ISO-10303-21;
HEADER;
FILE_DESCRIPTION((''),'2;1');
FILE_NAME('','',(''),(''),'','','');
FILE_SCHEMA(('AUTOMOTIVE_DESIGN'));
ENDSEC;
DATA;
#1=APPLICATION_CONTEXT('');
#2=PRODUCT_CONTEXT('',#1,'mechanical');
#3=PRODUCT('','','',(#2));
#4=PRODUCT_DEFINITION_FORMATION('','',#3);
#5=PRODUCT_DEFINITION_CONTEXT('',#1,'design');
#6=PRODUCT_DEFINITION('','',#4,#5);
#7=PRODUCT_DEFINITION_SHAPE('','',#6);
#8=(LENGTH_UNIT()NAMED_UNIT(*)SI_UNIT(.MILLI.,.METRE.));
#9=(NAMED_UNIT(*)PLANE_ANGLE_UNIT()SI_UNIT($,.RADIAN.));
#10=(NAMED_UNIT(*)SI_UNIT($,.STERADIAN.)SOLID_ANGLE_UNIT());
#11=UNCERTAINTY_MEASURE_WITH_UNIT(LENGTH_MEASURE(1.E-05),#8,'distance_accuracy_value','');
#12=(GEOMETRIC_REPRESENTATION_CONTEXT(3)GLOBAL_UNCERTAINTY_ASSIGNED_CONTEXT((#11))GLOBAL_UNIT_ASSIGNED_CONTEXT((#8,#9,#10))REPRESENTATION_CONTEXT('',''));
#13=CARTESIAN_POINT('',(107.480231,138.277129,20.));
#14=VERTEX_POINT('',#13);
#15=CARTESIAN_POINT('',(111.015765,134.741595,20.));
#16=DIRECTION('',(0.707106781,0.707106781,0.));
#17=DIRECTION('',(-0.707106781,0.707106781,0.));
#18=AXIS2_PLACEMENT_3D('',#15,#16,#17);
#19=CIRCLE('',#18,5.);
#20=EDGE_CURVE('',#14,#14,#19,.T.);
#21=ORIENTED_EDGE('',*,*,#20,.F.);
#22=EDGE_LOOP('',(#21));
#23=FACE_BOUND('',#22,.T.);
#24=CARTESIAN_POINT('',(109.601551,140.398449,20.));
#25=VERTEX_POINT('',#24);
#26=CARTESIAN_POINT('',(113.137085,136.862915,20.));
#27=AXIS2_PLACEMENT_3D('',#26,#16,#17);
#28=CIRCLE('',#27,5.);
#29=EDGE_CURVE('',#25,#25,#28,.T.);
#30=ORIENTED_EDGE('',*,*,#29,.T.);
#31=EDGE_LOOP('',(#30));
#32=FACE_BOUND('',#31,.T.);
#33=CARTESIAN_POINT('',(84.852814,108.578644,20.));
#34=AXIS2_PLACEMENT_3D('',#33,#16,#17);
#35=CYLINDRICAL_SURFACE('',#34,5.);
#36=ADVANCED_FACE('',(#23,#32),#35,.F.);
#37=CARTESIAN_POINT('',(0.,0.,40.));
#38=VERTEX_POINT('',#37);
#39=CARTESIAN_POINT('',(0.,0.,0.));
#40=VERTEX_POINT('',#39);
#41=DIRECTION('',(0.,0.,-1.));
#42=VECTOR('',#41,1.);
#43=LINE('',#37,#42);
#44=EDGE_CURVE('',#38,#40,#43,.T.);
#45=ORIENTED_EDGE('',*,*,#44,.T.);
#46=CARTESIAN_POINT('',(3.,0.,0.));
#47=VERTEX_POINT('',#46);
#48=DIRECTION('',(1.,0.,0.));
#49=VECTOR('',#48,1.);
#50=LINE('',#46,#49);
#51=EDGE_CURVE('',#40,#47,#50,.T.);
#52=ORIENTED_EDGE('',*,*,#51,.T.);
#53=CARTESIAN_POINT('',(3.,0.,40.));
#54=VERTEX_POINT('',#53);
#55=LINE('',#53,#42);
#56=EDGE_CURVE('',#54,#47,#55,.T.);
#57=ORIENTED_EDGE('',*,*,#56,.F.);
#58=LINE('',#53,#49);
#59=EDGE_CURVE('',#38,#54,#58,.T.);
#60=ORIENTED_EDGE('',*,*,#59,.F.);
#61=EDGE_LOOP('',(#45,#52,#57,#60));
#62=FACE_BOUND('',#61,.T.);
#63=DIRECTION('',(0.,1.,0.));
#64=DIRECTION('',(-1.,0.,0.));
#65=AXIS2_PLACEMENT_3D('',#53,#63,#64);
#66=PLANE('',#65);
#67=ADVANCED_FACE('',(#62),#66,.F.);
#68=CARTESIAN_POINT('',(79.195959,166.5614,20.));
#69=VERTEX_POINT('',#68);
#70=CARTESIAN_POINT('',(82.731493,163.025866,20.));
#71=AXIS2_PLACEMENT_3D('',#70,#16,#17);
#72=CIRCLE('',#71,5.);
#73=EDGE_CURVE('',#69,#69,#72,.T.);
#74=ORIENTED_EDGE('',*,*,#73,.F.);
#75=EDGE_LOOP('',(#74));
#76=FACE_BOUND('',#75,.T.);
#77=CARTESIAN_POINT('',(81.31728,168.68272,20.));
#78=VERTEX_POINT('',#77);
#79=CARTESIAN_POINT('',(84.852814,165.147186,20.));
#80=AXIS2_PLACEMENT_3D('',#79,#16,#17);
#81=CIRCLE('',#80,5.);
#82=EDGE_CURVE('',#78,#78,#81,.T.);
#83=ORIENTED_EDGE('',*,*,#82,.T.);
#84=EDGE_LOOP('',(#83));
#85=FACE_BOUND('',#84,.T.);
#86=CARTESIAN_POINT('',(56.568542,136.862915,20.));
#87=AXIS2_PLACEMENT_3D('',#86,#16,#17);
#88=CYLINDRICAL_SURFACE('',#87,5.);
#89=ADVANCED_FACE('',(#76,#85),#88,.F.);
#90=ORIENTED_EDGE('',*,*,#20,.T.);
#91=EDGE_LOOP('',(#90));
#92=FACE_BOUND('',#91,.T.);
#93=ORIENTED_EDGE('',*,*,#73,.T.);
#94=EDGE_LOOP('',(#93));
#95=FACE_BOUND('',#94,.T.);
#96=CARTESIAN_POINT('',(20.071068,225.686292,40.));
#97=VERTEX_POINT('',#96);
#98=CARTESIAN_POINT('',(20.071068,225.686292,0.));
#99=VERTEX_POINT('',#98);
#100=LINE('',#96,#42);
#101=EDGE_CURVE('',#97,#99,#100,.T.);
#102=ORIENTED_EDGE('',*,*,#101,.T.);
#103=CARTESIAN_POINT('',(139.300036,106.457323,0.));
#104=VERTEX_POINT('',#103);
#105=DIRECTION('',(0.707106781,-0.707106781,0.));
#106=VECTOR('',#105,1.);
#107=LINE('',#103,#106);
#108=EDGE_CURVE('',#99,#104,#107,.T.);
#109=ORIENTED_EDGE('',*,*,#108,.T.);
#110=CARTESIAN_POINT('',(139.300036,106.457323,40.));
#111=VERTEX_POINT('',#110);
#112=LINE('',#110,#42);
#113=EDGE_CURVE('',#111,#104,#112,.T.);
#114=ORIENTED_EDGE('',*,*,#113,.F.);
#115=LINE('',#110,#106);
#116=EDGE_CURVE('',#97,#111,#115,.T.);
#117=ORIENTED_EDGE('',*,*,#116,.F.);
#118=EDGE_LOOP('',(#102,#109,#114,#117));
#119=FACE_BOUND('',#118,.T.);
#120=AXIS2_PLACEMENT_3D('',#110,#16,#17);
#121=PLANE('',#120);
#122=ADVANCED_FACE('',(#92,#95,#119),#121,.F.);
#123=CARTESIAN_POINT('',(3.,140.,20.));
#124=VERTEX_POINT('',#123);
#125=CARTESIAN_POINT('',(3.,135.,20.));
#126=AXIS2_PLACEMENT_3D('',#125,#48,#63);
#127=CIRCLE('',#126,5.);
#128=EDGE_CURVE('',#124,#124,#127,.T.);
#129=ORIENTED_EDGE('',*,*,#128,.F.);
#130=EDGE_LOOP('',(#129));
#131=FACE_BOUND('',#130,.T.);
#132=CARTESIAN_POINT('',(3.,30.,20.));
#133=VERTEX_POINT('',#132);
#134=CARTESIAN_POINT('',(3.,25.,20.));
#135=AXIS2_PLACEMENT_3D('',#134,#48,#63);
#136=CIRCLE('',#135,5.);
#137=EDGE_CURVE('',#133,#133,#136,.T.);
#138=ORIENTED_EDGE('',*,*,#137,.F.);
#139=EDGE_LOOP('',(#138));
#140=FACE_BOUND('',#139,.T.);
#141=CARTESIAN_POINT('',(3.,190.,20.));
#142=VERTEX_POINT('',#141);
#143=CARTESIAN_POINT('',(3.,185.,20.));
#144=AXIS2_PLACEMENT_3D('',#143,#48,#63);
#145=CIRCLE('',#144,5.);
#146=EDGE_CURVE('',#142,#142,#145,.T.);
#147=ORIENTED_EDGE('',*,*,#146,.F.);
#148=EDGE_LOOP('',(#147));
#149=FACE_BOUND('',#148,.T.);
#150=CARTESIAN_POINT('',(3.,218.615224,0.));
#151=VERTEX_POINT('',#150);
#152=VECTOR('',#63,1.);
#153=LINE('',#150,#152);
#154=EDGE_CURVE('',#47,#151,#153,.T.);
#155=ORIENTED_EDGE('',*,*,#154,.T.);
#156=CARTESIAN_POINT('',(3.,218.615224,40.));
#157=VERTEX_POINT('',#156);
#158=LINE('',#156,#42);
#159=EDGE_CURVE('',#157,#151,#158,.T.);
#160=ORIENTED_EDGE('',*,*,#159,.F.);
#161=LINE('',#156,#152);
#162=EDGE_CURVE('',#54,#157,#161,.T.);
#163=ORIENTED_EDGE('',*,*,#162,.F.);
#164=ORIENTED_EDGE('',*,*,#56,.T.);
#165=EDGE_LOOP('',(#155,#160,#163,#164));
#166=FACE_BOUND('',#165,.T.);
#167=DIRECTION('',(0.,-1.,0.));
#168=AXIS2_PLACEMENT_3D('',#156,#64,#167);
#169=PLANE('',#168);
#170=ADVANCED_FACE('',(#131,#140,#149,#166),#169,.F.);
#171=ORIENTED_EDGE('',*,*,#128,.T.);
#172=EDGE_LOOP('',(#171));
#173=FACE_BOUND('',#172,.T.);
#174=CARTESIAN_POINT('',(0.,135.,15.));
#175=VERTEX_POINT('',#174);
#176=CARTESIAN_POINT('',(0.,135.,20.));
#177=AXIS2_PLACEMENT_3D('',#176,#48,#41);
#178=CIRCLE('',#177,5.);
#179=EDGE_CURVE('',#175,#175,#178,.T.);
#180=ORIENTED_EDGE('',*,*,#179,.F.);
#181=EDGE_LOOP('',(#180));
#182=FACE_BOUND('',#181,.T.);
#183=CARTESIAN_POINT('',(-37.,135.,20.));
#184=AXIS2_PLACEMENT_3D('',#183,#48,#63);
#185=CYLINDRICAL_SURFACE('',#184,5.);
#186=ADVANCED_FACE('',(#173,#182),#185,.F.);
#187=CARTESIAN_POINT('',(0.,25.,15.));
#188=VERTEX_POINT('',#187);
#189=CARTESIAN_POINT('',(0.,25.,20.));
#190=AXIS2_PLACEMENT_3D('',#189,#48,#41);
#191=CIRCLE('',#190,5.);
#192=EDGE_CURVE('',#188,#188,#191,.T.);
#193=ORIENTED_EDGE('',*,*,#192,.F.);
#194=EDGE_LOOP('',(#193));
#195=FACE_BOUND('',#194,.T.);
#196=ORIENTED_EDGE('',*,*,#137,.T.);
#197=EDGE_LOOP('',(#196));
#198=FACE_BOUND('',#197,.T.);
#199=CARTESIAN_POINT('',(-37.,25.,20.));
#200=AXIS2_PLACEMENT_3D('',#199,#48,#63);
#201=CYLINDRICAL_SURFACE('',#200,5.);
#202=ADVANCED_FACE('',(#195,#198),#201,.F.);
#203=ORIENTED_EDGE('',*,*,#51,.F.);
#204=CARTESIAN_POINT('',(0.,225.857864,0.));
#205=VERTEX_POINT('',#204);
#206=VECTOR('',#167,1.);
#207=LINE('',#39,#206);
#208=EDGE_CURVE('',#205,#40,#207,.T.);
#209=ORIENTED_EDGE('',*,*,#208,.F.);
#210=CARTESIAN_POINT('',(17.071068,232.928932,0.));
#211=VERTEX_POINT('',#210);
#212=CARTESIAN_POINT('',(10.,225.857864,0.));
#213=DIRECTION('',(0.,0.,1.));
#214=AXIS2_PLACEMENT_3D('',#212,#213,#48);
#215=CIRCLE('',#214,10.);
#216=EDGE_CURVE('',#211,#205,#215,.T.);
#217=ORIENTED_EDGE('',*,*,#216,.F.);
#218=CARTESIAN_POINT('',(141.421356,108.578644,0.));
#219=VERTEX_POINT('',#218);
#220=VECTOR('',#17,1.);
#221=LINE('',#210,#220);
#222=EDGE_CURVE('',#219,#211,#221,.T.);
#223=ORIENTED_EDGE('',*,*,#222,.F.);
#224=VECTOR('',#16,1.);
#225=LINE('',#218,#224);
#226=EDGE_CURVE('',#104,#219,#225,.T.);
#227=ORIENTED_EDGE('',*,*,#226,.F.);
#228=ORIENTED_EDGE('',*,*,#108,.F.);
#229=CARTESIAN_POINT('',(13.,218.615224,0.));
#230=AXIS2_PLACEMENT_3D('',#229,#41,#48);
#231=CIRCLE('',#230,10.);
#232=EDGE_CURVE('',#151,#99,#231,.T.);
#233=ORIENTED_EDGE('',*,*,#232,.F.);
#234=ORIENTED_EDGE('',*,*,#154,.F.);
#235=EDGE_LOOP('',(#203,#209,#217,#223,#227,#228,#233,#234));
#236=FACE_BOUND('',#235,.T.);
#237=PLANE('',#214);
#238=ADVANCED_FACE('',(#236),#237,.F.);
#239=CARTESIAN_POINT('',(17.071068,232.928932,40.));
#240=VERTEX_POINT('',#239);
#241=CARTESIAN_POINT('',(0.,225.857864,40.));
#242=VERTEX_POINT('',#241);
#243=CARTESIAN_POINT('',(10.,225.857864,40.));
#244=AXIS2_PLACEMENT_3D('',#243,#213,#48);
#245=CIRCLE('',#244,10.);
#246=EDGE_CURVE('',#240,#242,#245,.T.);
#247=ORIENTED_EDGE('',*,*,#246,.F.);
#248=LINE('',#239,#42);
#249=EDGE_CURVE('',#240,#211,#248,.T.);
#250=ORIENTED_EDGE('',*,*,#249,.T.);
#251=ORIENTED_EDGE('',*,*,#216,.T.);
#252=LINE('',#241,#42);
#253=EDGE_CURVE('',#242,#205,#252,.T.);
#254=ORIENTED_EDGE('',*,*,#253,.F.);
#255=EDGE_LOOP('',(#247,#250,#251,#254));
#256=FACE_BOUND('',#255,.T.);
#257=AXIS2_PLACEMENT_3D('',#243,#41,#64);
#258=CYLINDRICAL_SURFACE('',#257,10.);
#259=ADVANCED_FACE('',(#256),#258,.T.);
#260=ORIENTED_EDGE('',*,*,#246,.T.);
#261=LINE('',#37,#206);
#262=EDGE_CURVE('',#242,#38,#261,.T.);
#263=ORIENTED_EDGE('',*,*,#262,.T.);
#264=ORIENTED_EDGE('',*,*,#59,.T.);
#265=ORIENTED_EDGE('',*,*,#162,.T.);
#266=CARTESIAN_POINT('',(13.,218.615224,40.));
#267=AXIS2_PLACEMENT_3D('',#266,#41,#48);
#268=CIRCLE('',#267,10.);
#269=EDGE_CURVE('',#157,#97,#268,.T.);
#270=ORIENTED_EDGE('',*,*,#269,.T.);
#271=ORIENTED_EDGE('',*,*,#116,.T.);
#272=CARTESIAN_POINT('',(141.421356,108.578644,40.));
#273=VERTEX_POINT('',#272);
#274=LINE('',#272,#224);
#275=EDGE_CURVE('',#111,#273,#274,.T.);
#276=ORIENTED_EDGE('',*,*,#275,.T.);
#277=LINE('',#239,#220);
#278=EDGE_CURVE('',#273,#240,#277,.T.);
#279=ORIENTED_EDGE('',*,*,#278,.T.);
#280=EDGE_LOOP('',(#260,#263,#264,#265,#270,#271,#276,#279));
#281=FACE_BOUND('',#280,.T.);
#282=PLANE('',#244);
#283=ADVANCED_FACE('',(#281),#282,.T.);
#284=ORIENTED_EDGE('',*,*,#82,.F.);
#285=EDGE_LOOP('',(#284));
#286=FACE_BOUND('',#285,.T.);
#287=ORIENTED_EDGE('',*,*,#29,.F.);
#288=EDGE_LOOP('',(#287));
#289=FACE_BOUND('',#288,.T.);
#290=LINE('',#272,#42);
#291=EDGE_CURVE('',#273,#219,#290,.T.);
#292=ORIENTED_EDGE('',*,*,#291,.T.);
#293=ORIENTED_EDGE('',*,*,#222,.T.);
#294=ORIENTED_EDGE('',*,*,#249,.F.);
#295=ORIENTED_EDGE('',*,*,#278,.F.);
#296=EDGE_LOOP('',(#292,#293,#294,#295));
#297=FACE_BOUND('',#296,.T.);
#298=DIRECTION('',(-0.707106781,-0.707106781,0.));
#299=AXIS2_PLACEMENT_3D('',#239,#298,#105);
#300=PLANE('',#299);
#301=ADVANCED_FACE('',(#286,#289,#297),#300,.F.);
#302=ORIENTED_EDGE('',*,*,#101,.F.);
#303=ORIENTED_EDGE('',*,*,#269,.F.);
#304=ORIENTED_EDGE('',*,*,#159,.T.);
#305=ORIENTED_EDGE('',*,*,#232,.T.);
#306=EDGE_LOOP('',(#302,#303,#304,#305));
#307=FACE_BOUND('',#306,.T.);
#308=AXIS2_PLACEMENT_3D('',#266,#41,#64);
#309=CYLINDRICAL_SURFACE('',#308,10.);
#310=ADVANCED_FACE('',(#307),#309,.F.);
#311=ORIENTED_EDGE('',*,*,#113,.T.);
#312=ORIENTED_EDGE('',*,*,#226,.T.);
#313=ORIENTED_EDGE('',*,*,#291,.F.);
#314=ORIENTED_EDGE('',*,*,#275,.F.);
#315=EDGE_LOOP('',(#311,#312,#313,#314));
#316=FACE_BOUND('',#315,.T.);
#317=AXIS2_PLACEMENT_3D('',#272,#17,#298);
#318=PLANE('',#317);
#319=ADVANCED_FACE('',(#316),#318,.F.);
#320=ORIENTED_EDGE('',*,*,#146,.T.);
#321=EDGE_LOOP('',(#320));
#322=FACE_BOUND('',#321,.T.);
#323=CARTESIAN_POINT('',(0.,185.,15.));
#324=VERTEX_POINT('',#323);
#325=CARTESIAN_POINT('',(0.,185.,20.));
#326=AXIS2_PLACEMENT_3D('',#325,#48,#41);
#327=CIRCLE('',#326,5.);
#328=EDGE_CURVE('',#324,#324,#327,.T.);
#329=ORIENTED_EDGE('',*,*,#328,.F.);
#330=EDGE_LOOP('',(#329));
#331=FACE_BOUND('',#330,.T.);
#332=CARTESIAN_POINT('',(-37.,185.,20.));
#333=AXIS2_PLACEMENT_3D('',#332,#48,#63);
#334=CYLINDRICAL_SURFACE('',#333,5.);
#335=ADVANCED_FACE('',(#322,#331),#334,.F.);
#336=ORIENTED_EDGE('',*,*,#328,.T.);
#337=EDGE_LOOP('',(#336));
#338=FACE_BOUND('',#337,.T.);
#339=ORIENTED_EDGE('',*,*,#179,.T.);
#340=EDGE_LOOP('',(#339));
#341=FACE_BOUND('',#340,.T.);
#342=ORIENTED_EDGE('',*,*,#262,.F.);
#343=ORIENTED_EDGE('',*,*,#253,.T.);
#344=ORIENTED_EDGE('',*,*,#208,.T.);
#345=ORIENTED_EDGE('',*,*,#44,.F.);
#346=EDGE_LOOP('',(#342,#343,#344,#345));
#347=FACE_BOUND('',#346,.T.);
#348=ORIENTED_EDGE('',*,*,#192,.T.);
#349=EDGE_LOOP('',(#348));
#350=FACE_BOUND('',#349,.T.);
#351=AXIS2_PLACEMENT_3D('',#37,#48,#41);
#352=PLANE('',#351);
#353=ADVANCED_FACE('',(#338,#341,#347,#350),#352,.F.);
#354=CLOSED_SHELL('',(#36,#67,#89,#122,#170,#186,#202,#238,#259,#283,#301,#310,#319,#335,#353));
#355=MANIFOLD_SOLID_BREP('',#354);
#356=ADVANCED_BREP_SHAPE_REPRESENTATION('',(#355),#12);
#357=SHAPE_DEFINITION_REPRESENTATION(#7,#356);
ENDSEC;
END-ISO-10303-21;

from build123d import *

# Parameters (mm, degrees)
BOSS_EXTRUDE1_DEPTH = 40
SKETCH2_R           = 5
CUT_EXTRUDE1_DEPTH  = 40
SKETCH3_R           = 5
CUT_EXTRUDE2_DEPTH  = 40


with BuildPart() as part:
    # Sketch1 → Boss-Extrude1 (new body)
    with BuildSketch(Plane.XY):
        with BuildLine():
            Line((0, 0), (0, 225.857864376))
            ThreePointArc((0, 225.857864376), (6.173165676, 235.096659701), (17.071067812, 232.928932188))
            Line((17.071067812, 232.928932188), (141.421356237, 108.578643763))
            Line((141.421356237, 108.578643763), (139.300035894, 106.457323419))
            Line((139.300035894, 106.457323419), (20.071067812, 225.686291501))
            ThreePointArc((20.071067812, 225.686291501), (9.173165676, 227.854019014), (3, 218.615223689))
            Line((3, 218.615223689), (3, 0))
            Line((3, 0), (0, 0))
        make_face()
    extrude(amount=BOSS_EXTRUDE1_DEPTH)

    # Sketch2 → Cut-Extrude1 (cut)
    with BuildSketch(Plane(origin=(3, 0, 0), x_dir=(0, 0, -1), z_dir=(1, 0, 0))):
        with Locations(Location((-20, 185, 0), (0, 0, 90))):
            Circle(SKETCH2_R)
        with Locations(Location((-20, 25, 0), (0, 0, 90))):
            Circle(SKETCH2_R)
        with Locations(Location((-20, 135, 0), (0, 0, 90))):
            Circle(SKETCH2_R)
    extrude(amount=-CUT_EXTRUDE1_DEPTH, mode=Mode.SUBTRACT)

    # Sketch3 → Cut-Extrude2 (cut)
    with BuildSketch(Plane(origin=(125, 125, 0), x_dir=(0, 0, -1), z_dir=(0.7071067811865509, 0.7071067811865441, 0))):
        with Locations(Location((-20, 16.776695297, 0), (0, 0, 90))):
            Circle(SKETCH3_R)
        with Locations(Location((-20, 56.776695297, 0), (0, 0, 90))):
            Circle(SKETCH3_R)
    extrude(amount=-CUT_EXTRUDE2_DEPTH, mode=Mode.SUBTRACT)


solid = part.part
